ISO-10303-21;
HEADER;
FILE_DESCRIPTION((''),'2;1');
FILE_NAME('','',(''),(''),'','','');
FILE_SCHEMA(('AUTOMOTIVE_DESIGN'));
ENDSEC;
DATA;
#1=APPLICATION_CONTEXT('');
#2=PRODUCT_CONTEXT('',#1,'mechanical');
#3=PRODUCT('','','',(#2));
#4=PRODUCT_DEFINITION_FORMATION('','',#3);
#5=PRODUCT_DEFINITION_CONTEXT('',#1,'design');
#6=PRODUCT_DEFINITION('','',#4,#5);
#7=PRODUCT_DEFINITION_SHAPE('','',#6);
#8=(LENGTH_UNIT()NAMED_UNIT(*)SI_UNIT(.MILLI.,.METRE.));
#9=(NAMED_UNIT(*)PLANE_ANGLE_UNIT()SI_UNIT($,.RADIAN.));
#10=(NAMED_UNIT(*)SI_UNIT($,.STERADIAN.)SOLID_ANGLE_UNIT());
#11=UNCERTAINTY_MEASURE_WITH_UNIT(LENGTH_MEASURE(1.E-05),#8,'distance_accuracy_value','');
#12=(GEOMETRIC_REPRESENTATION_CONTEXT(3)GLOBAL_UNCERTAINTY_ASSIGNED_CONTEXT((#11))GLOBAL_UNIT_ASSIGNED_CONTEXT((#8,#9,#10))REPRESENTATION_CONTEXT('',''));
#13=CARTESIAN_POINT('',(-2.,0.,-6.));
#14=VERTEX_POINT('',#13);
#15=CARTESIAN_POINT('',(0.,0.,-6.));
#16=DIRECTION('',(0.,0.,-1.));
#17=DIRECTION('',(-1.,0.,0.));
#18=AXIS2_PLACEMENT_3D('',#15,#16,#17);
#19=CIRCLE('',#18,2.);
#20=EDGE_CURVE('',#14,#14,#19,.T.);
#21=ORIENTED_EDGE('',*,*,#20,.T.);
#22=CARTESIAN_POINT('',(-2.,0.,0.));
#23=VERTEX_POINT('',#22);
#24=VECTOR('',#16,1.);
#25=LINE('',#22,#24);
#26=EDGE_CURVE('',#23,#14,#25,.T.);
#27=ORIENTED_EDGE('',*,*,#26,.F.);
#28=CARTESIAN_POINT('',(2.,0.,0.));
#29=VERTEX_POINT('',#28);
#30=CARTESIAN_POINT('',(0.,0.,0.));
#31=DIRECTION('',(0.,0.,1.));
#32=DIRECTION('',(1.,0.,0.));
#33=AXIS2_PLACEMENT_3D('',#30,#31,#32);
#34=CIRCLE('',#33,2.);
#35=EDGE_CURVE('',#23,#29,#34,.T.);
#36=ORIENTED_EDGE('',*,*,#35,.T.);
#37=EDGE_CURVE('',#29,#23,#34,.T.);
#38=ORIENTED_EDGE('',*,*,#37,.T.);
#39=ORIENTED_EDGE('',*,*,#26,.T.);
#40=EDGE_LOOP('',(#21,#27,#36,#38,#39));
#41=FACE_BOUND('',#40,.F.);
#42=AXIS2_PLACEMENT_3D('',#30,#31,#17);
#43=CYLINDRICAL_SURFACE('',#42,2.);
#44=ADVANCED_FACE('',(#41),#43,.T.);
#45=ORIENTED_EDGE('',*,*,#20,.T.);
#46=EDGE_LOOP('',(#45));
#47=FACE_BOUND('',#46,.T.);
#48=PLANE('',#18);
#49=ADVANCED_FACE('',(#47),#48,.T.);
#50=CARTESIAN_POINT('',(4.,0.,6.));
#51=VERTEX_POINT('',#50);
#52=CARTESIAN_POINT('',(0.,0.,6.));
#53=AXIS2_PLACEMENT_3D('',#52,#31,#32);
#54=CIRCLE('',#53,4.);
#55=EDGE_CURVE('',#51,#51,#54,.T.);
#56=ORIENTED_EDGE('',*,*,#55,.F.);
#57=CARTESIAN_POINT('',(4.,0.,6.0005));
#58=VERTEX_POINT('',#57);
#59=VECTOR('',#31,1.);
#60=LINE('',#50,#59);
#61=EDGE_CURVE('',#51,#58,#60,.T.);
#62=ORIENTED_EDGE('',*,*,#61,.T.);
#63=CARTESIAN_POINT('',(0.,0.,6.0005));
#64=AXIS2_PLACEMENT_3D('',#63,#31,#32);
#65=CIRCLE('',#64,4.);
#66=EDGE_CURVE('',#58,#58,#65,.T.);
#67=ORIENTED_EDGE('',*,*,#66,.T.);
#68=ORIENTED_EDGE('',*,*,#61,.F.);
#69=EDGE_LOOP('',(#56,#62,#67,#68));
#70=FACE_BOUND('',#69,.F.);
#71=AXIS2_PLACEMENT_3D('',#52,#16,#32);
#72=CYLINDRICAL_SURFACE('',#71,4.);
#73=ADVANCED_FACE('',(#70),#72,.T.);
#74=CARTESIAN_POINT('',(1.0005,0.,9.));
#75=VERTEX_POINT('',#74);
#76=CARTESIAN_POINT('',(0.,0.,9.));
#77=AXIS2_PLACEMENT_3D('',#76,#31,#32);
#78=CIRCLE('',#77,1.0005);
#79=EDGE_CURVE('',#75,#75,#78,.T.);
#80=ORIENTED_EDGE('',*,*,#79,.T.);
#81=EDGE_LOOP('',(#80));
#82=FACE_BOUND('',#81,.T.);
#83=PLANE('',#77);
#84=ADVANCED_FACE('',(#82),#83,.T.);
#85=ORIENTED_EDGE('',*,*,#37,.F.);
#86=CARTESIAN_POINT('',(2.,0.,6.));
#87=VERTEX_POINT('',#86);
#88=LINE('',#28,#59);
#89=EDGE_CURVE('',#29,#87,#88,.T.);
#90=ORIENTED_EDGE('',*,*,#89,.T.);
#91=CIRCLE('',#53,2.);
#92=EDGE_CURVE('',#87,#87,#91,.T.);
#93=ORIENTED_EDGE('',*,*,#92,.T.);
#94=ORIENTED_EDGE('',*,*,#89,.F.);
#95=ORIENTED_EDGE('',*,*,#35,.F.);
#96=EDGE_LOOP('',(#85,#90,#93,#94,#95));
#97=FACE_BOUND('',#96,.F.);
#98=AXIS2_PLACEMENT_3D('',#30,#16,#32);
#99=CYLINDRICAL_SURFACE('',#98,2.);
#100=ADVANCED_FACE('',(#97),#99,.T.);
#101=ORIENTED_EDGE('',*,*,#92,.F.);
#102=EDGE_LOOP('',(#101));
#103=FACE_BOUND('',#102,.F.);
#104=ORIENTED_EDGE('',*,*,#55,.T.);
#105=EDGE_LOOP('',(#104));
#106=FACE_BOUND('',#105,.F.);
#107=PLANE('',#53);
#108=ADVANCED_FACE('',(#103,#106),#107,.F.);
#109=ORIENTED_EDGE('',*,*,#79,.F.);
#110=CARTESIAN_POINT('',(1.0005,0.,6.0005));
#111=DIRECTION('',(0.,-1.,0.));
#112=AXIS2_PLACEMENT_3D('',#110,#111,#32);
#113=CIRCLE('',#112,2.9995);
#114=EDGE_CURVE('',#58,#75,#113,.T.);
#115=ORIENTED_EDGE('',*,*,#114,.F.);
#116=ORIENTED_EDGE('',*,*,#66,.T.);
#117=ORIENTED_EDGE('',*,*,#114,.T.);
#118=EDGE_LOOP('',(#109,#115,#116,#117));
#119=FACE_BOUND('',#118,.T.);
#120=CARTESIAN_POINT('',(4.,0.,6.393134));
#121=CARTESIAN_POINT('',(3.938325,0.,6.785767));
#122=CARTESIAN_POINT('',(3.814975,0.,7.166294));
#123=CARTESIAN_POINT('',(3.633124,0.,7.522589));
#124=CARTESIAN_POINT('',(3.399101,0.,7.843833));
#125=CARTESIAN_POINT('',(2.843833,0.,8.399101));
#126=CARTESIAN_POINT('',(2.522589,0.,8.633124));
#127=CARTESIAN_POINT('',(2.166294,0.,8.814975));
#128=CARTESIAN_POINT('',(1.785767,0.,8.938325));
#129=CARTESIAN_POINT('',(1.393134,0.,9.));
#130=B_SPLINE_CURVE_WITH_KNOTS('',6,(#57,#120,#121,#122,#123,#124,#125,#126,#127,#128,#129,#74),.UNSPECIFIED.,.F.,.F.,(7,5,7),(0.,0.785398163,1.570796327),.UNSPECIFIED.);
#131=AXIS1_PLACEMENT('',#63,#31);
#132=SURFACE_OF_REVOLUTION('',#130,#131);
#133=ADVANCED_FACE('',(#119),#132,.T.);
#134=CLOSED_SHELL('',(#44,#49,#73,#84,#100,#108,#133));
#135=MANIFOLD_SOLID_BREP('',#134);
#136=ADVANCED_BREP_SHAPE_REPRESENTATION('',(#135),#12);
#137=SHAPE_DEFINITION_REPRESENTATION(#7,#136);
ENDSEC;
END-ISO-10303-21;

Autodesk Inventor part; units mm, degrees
ref_plane "YZ Plane" through (0, 0, 0) normal (1, 0, 0) x (0, 1, 0)
ref_plane "XZ Plane" through (0, 0, 0) normal (0, 1, 0) x (-1, 0, 0)
ref_plane "XY Plane" through (0, 0, 0) normal (0, 0, 1) x (1, 0, 0)
sketch "スケッチ1" plane through (0, 0, 0) normal (0, 0, 1) x (1, 0, 0)
  circle A0 centre (0, 0) radius 2
  dimension "d0" = 4
extrude "押し出し1" add sketch "スケッチ1" along normal blind 6
sketch "スケッチ2" plane through (0, 0, 6) normal (0, 0, 1) x (1, 0, 0)
  circle A0 centre (0, 0) radius 2 projected
  circle A1 centre (0, 0) radius 4
  dimension "d3" = 8
extrude "押し出し2" add sketch "スケッチ2" along normal blind 3 contours A0 | A1
fillet "フィレット1" radius 3 1 edges at (-4, 0, 9)
thread "ねじ1" size "M4x0.7" class "6g" standard "ANSI Metric M Profile" full length
sketch "スケッチ3" plane through (0, 0, 0) normal (0, 0, -1) x (-1, 0, 0)
  circle A0 centre (0, 0) radius 2
extrude "押し出し3" add sketch "スケッチ3" along normal blind 6
properties part number "SB　M4 12mm なべネジ" material "Stainless Steel, 440C"
